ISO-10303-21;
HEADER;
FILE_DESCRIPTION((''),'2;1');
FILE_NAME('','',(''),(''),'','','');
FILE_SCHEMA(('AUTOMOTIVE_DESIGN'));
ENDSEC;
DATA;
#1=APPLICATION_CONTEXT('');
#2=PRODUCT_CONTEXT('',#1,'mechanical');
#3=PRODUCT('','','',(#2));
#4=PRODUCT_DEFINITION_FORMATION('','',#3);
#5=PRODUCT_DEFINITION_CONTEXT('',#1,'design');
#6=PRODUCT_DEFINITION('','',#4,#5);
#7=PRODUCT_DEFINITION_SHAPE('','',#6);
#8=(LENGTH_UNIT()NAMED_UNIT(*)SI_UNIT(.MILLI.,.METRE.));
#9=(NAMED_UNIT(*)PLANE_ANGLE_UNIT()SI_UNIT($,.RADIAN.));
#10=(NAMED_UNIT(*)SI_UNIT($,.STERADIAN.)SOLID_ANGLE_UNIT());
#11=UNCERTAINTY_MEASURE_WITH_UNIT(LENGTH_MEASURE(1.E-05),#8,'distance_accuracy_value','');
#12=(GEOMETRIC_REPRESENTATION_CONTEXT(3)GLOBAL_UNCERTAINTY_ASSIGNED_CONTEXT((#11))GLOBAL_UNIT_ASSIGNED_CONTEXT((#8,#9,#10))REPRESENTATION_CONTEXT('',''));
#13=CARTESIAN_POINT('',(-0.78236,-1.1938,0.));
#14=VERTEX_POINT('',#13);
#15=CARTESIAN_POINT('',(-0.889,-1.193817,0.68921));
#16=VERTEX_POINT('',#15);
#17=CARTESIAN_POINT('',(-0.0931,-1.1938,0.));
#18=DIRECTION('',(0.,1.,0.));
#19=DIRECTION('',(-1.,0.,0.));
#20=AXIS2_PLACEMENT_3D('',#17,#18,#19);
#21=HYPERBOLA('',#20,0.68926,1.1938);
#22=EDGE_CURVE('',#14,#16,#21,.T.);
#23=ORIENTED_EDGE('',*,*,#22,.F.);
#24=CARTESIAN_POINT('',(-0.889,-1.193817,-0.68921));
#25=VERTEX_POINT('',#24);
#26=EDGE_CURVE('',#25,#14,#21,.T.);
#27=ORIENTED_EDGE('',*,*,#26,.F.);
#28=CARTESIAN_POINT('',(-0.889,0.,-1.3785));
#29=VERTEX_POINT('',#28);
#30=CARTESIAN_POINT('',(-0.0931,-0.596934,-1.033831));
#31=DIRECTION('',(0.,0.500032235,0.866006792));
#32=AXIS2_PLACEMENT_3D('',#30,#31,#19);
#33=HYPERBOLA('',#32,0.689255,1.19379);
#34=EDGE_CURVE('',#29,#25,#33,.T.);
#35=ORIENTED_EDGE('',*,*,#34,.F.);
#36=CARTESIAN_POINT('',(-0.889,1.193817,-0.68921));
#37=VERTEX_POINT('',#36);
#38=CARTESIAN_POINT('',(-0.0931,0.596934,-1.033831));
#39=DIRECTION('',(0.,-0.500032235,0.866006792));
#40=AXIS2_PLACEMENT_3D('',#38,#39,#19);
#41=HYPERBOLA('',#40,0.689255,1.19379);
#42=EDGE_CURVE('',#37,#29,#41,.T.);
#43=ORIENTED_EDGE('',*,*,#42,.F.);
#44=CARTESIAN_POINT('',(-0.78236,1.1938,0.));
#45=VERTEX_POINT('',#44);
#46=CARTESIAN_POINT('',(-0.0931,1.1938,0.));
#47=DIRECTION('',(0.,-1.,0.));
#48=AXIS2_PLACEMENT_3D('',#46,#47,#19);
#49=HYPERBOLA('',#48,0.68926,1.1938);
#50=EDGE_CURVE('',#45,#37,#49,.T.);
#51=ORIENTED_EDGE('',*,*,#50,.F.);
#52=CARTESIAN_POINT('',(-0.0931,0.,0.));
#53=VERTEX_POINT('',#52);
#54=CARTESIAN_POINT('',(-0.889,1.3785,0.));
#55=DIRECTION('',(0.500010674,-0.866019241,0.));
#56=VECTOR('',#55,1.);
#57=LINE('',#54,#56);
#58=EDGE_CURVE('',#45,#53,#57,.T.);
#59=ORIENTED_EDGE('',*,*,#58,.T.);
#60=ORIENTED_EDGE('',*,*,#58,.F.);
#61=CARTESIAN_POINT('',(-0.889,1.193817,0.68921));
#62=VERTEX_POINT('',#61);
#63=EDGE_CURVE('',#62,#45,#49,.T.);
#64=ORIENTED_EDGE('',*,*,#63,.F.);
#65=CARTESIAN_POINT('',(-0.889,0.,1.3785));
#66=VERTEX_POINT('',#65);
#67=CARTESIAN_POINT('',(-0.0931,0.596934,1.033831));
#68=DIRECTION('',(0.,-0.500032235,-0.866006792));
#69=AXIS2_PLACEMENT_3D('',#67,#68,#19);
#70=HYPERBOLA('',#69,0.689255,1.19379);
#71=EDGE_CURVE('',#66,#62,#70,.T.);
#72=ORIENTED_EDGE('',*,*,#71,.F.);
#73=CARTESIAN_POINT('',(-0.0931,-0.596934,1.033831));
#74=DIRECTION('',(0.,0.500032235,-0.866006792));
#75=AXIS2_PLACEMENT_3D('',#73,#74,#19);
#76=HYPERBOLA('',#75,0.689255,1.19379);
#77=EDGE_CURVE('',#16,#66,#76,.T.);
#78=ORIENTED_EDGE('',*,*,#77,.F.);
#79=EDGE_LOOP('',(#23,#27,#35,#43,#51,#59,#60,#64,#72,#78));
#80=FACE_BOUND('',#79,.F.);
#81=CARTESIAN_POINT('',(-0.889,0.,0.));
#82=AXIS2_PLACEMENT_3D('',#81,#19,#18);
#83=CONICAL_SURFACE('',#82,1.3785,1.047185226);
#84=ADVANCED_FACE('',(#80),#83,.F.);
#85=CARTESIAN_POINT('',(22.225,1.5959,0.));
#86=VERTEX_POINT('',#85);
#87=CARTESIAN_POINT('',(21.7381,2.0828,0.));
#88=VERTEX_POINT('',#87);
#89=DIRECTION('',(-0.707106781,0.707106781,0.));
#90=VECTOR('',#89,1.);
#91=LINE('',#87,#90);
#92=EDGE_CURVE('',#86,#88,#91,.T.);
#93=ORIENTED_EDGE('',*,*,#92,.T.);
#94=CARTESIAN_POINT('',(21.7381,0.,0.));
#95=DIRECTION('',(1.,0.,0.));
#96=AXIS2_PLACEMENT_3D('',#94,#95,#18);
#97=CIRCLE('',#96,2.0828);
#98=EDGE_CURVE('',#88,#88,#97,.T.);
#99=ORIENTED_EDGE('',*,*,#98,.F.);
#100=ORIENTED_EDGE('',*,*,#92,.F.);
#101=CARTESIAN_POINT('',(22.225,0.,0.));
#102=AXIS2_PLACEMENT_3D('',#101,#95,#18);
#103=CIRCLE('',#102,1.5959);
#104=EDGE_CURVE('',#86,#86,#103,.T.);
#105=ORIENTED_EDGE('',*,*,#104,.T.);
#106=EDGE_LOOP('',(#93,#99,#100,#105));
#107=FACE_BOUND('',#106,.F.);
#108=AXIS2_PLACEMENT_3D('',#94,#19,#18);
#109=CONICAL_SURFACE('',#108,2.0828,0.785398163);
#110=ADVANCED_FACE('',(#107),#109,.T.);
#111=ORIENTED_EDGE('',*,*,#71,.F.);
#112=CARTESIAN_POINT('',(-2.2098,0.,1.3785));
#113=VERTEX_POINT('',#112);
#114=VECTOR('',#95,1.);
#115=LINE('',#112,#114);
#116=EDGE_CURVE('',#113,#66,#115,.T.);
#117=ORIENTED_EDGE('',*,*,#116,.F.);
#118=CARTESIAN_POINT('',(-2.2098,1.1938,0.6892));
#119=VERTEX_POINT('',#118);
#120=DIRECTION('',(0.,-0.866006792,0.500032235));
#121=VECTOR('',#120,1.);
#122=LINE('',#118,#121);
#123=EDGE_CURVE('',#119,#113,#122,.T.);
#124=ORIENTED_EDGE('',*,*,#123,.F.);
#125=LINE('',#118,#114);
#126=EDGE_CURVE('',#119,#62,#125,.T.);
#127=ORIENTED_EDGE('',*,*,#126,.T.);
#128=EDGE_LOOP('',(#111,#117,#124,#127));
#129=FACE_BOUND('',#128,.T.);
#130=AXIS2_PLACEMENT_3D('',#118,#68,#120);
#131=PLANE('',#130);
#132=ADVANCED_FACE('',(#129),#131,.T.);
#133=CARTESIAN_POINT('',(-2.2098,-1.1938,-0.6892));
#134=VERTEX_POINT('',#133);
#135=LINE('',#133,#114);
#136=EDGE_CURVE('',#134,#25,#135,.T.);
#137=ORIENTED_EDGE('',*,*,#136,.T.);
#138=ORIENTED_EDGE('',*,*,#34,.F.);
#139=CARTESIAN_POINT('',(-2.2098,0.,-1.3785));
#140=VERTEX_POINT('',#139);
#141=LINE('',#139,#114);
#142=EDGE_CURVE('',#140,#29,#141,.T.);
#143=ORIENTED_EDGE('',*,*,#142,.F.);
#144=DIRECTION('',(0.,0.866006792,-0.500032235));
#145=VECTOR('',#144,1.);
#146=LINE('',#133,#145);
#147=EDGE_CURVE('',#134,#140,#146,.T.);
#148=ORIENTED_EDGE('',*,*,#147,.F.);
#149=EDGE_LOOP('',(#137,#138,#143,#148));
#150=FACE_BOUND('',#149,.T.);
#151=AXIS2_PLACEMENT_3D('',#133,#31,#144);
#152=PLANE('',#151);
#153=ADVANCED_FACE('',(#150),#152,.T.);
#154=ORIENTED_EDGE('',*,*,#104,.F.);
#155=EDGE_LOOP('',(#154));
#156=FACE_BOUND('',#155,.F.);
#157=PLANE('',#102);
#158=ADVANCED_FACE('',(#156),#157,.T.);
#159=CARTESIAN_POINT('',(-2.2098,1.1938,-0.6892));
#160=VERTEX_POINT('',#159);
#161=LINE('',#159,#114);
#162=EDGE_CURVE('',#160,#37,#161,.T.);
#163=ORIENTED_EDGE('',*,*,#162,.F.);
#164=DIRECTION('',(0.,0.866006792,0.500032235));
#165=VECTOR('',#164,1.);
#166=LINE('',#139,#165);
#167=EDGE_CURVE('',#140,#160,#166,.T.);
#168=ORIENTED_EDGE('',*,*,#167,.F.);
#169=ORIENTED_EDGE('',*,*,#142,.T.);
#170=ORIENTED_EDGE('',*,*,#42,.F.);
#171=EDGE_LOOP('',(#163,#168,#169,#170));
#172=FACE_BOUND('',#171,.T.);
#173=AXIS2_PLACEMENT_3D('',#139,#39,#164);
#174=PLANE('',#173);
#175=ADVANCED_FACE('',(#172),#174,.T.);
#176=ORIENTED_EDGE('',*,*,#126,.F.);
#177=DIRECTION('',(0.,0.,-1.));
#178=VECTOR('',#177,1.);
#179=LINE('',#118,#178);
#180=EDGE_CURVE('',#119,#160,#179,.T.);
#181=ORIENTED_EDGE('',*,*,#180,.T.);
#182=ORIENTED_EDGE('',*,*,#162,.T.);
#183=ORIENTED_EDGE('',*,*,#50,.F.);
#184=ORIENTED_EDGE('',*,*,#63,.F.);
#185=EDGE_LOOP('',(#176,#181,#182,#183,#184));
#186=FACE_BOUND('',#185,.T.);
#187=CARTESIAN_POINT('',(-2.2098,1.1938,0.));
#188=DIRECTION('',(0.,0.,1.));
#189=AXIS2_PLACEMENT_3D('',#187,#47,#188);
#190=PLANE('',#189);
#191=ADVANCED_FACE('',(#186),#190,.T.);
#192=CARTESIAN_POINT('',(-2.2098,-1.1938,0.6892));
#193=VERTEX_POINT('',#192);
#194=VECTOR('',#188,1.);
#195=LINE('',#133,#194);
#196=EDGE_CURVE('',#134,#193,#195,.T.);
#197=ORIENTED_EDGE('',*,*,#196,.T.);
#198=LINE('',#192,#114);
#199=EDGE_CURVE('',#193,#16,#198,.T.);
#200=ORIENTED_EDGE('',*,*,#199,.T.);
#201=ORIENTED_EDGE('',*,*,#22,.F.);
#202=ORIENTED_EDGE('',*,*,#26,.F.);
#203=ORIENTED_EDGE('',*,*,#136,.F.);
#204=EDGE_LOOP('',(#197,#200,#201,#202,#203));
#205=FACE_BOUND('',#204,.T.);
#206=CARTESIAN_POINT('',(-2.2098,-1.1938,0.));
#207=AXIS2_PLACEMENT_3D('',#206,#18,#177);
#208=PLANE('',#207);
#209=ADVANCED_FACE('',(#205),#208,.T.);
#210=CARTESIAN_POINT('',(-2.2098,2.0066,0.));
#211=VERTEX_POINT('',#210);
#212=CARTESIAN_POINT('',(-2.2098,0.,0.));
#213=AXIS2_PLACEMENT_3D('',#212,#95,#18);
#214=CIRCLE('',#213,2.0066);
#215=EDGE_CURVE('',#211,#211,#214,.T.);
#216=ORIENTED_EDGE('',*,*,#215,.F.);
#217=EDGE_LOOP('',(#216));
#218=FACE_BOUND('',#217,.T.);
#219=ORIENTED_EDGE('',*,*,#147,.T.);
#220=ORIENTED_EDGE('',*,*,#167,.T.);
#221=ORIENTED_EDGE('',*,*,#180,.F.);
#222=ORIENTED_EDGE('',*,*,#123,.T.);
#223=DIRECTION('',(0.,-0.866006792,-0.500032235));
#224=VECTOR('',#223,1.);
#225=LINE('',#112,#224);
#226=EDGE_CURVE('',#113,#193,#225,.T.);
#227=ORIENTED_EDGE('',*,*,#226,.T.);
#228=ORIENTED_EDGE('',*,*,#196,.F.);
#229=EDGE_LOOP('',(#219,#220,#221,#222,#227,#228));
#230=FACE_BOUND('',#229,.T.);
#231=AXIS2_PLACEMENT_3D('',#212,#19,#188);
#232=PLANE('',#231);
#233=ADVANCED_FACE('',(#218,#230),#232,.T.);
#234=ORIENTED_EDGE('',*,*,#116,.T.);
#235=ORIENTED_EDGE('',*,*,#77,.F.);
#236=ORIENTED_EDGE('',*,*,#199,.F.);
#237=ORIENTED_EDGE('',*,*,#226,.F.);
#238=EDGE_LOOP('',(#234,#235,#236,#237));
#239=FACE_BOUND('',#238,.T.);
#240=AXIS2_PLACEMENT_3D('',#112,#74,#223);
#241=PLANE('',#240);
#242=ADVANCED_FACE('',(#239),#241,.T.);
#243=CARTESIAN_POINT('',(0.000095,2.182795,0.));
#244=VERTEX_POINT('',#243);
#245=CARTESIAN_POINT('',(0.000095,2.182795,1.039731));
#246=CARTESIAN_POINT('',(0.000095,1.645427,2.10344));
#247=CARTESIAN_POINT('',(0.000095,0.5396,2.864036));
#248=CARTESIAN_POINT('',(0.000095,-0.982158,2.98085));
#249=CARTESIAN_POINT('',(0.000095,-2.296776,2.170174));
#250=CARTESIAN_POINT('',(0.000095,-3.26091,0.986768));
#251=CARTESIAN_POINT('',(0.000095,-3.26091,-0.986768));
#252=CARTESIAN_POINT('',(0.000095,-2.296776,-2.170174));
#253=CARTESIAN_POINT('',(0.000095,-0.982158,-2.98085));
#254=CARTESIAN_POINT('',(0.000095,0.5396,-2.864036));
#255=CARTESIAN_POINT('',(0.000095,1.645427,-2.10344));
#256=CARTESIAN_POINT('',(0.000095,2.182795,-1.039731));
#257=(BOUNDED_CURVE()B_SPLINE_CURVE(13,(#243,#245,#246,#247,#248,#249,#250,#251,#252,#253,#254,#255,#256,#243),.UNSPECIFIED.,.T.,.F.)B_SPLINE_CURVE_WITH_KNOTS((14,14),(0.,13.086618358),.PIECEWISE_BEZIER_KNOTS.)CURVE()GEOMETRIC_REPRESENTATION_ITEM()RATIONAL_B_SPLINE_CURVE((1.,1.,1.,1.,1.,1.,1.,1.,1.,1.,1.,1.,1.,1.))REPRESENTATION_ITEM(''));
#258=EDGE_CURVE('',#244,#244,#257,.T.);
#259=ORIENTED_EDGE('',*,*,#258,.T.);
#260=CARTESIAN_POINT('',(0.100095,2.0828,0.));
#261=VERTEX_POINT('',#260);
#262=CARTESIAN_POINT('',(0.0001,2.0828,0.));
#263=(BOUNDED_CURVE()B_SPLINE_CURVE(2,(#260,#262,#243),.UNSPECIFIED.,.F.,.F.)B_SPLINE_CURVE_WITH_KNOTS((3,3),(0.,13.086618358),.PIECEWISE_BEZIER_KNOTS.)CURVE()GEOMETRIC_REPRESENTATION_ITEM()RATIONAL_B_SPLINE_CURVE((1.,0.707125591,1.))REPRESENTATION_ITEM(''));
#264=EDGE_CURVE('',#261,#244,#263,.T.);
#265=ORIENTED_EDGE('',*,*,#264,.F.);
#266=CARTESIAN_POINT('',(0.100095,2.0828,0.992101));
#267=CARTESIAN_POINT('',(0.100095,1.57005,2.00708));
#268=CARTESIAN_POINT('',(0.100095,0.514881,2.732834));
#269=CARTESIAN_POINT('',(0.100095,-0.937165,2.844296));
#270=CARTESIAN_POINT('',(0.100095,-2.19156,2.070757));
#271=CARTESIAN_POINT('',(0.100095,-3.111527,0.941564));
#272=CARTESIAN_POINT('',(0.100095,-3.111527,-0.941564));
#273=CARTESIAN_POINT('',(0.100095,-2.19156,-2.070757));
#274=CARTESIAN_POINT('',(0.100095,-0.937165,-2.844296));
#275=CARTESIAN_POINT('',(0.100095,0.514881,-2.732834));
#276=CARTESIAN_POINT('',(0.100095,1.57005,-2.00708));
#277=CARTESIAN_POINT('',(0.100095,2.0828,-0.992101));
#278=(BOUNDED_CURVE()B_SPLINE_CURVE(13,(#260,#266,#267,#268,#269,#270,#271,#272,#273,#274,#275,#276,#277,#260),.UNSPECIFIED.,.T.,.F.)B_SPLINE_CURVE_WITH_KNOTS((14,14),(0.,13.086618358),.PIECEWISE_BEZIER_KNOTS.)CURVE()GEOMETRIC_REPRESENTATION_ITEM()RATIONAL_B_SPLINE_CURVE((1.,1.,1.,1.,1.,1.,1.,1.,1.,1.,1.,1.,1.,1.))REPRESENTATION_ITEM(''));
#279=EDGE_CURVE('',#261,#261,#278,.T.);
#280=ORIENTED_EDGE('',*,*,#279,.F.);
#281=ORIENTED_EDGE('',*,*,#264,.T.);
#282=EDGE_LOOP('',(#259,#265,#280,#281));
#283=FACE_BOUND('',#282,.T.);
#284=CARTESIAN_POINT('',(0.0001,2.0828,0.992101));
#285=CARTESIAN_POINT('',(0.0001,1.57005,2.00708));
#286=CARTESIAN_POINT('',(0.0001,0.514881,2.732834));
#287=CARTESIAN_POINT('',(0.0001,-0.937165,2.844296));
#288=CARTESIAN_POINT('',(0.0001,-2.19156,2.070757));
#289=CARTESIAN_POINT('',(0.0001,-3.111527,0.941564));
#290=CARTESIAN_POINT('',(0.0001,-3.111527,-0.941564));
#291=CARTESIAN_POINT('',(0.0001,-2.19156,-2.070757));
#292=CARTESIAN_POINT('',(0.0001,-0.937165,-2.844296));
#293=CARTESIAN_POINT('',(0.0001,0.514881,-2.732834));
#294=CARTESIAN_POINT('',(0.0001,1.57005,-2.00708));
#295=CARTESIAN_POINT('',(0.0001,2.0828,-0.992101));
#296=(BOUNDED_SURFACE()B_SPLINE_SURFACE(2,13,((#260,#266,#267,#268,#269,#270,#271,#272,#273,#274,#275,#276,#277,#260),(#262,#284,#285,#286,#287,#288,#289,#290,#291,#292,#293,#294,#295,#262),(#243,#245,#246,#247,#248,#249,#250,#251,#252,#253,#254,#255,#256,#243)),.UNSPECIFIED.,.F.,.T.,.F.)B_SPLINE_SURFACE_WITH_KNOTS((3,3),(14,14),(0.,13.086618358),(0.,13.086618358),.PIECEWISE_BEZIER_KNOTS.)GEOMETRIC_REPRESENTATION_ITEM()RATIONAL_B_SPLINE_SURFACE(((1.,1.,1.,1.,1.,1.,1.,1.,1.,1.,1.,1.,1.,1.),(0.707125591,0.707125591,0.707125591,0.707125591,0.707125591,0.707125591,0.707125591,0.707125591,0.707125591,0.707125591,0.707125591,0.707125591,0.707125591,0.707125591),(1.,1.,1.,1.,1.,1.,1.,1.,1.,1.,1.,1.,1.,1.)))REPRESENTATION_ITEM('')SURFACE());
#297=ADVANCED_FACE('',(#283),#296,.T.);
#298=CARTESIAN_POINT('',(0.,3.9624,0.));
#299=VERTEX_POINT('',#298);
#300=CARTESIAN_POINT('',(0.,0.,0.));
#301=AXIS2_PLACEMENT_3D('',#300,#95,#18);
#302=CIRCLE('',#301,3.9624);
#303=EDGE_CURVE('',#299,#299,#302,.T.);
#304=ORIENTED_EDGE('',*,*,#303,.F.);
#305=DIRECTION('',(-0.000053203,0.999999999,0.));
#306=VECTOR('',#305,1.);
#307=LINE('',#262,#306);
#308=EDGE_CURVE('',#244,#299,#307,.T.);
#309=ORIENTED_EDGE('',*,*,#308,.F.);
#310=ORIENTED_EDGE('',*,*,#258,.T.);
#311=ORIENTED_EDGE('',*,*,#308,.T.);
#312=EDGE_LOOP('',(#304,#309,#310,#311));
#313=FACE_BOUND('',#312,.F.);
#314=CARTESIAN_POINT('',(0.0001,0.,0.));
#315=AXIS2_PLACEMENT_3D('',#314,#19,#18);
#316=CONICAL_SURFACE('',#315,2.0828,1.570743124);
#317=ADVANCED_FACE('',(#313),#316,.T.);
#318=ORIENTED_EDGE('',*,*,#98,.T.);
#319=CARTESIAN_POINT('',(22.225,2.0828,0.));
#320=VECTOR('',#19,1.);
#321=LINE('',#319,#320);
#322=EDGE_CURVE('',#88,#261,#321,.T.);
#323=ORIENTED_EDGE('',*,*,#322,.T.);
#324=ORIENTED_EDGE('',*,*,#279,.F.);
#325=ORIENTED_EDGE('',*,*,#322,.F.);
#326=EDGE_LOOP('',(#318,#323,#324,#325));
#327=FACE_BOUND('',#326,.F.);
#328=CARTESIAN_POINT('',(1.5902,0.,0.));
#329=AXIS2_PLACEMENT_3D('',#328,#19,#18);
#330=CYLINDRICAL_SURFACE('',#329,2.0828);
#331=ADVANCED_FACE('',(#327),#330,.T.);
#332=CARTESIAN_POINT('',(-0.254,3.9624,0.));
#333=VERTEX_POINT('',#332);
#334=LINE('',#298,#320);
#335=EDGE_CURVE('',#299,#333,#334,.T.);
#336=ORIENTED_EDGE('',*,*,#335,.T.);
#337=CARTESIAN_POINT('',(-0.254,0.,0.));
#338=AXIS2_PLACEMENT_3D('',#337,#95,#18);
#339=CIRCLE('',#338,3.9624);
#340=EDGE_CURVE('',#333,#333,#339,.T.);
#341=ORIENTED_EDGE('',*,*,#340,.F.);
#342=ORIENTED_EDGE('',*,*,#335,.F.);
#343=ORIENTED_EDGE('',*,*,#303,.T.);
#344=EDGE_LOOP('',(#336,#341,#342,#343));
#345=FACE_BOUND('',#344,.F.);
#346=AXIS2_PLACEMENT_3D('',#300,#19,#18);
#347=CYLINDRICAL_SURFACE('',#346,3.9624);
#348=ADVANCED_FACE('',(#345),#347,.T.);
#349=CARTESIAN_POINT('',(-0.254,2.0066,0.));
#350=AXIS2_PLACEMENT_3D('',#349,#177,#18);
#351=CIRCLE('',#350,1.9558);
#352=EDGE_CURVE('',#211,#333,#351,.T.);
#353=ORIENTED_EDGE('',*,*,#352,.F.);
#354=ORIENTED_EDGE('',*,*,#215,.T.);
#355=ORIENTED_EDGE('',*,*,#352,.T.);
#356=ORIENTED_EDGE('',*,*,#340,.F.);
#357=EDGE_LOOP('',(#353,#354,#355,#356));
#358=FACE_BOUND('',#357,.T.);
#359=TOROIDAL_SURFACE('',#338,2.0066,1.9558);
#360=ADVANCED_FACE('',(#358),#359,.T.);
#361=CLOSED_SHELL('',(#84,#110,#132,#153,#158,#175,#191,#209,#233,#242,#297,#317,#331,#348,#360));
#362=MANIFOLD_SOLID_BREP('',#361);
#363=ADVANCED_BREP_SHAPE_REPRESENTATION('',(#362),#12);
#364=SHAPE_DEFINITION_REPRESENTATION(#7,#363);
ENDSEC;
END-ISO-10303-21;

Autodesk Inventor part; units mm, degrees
ref_plane "YZ Plane" through (0, 0, 0) normal (1, 0, 0) x (0, 1, 0)
ref_plane "XZ Plane" through (0, 0, 0) normal (0, 1, 0) x (-1, 0, 0)
sketch "Sketch1" plane through (0, 0, 0) normal (0, 0, 1) x (1, 0, 0)
  line L0 (-0.0931, 0) -> (22.225, 0)
  line L1 (22.225, 0) -> (22.225, 2.0828)
  line L2 (22.225, 2.0828) -> (1.5902, 2.0828)
  line L3 (1.5902, 2.0828) -> (0.0001, 2.0828)
  line L4 (0.0001, 2.0828) -> (0, 2.0828)
  line L5 (0, 2.0828) -> (0, 3.9624)
  line L6 (0, 3.9624) -> (-2.2098, 3.9624)
  line L7 (-2.2098, 3.9624) -> (-2.2098, 1.3785)
  line L8 (-2.2098, 1.3785) -> (-0.889, 1.3785)
  line L9 (-0.889, 1.3785) -> (-0.0931, 0)
  line L10 (-7.0968, 0) -> (27.112, 0) projected
  line L11 (0, -0.7925) -> (0, 4.7549) projected
  line L12 (1.5902, 2.0828) -> (0, 2.0828) construction
  dimension "d1" = 20.6348
  dimension "d2" = 1.5901
  dimension "d3" = 2.2098
  dimension "d4" = 1.3208
  dimension "d5" = 60
  dimension "d6" = 4.1656
  dimension "d7" = 4.1656
  dimension "d8" = 2.757
  dimension "d9" = 7.9248
  dimension "d26" = 22.225
revolve "Body" add sketch "Sketch1" angle 360 about axis through (-0.0931, 0, 0) along (1, 0, 0)
sketch "Sketch2" plane through (-2.2098, 0, 0) normal (-1, 0, 0) x (0, 0, 1)
  circle A0 centre (0, 0) radius 1.3785 projected
  line L0 (0, -5.5474) -> (0, 5.5474) projected
  line L1 (-5.5474, 0) -> (5.5474, 0) projected
  line L2 (1.3785, 0) -> (0.6892, -1.1938)
  line L3 (0.6892, -1.1938) -> (-0.6892, -1.1938)
  line L4 (-0.6892, -1.1938) -> (-1.3785, 0)
  line L5 (-1.3785, 0) -> (-0.6892, 1.1938)
  line L6 (-0.6892, 1.1938) -> (0.6892, 1.1938)
  line L7 (0.6892, 1.1938) -> (1.3785, 0)
extrude "Slot" add sketch "Sketch2" against normal up to next contours L7 A0 | A0 L2 | L6 L0 A0 | A0 L0 L3 | L0 L6 A0 | A0 L3 L0 | L4 A0 | A0 L5
fillet "Fillet1" radius 1.9558 1 edges at (-2.2098, -3.9624, 0)
thread "Thread" size "8-32 UNC" class "2A" standard "ANSI Unified Screw Threads" length 20.6348
chamfer "Chamfer1" distance 0.4869 distance2 0.4869 1 edges at (22.225, -2.0828, 0) measured on face at (22.225, 0.9848, 0.284)
ref_plane "Work Plane1" through (29, 0, 0) normal (0, -1, 0) x (1, 0, 0)
fillet "Fillet2" radius 0.1 1 edges at (0.0001, -2.0828, 0)
equation "\"d1\" = GEL"
equation "\"d3\" = KOH"
equation "\"d4\" = INTI"
equation "\"d6\" = GD"
equation "\"d7\" = BDM"
equation "\"d8\" = 1.1547 * SW"
equation "\"d9\" = KOD"
equation "\"d26\" = NLG"
equation "\"d30\" = R"
equation "\"d17\" = RR"
equation "\"d13\" = GEL"
equation "\"d15\" = -0.5 * SPD + 0.5 * GD"
equation "\"d16\" = GUL"
equation "\"GD\" = NND"
equation "\"NLG\" = 22.225"
equation "\"GEL\" = 20.63476"
equation "\"KOD\" = 7.9248"
equation "\"KOH\" = 2.2098"
equation "\"INTI\" = 1.3208"
equation "\"GAL\" = 1.59004"
equation "\"GUL\" = 0.48692"
equation "\"BDM\" = NND"
equation "\"SW\" = 2.3876"
equation "\"RR\" = 1.9558"
equation "\"SPD\" = 3.19176"
equation "\"R\" = 0.1"
equation "\"TOA\" = 30deg"
equation "\"GD1\" = SPD"
equation "\"THREADDIA\" = 4.1656"
equation "\"KOH1\" = 0.381"
equation "\"NND\" = 4.1656"
equation "\"E0\" = 2.75768"
properties part number "ANSI B18.3 - 8 - 32 x 7/8" material "Steel, Mild"
